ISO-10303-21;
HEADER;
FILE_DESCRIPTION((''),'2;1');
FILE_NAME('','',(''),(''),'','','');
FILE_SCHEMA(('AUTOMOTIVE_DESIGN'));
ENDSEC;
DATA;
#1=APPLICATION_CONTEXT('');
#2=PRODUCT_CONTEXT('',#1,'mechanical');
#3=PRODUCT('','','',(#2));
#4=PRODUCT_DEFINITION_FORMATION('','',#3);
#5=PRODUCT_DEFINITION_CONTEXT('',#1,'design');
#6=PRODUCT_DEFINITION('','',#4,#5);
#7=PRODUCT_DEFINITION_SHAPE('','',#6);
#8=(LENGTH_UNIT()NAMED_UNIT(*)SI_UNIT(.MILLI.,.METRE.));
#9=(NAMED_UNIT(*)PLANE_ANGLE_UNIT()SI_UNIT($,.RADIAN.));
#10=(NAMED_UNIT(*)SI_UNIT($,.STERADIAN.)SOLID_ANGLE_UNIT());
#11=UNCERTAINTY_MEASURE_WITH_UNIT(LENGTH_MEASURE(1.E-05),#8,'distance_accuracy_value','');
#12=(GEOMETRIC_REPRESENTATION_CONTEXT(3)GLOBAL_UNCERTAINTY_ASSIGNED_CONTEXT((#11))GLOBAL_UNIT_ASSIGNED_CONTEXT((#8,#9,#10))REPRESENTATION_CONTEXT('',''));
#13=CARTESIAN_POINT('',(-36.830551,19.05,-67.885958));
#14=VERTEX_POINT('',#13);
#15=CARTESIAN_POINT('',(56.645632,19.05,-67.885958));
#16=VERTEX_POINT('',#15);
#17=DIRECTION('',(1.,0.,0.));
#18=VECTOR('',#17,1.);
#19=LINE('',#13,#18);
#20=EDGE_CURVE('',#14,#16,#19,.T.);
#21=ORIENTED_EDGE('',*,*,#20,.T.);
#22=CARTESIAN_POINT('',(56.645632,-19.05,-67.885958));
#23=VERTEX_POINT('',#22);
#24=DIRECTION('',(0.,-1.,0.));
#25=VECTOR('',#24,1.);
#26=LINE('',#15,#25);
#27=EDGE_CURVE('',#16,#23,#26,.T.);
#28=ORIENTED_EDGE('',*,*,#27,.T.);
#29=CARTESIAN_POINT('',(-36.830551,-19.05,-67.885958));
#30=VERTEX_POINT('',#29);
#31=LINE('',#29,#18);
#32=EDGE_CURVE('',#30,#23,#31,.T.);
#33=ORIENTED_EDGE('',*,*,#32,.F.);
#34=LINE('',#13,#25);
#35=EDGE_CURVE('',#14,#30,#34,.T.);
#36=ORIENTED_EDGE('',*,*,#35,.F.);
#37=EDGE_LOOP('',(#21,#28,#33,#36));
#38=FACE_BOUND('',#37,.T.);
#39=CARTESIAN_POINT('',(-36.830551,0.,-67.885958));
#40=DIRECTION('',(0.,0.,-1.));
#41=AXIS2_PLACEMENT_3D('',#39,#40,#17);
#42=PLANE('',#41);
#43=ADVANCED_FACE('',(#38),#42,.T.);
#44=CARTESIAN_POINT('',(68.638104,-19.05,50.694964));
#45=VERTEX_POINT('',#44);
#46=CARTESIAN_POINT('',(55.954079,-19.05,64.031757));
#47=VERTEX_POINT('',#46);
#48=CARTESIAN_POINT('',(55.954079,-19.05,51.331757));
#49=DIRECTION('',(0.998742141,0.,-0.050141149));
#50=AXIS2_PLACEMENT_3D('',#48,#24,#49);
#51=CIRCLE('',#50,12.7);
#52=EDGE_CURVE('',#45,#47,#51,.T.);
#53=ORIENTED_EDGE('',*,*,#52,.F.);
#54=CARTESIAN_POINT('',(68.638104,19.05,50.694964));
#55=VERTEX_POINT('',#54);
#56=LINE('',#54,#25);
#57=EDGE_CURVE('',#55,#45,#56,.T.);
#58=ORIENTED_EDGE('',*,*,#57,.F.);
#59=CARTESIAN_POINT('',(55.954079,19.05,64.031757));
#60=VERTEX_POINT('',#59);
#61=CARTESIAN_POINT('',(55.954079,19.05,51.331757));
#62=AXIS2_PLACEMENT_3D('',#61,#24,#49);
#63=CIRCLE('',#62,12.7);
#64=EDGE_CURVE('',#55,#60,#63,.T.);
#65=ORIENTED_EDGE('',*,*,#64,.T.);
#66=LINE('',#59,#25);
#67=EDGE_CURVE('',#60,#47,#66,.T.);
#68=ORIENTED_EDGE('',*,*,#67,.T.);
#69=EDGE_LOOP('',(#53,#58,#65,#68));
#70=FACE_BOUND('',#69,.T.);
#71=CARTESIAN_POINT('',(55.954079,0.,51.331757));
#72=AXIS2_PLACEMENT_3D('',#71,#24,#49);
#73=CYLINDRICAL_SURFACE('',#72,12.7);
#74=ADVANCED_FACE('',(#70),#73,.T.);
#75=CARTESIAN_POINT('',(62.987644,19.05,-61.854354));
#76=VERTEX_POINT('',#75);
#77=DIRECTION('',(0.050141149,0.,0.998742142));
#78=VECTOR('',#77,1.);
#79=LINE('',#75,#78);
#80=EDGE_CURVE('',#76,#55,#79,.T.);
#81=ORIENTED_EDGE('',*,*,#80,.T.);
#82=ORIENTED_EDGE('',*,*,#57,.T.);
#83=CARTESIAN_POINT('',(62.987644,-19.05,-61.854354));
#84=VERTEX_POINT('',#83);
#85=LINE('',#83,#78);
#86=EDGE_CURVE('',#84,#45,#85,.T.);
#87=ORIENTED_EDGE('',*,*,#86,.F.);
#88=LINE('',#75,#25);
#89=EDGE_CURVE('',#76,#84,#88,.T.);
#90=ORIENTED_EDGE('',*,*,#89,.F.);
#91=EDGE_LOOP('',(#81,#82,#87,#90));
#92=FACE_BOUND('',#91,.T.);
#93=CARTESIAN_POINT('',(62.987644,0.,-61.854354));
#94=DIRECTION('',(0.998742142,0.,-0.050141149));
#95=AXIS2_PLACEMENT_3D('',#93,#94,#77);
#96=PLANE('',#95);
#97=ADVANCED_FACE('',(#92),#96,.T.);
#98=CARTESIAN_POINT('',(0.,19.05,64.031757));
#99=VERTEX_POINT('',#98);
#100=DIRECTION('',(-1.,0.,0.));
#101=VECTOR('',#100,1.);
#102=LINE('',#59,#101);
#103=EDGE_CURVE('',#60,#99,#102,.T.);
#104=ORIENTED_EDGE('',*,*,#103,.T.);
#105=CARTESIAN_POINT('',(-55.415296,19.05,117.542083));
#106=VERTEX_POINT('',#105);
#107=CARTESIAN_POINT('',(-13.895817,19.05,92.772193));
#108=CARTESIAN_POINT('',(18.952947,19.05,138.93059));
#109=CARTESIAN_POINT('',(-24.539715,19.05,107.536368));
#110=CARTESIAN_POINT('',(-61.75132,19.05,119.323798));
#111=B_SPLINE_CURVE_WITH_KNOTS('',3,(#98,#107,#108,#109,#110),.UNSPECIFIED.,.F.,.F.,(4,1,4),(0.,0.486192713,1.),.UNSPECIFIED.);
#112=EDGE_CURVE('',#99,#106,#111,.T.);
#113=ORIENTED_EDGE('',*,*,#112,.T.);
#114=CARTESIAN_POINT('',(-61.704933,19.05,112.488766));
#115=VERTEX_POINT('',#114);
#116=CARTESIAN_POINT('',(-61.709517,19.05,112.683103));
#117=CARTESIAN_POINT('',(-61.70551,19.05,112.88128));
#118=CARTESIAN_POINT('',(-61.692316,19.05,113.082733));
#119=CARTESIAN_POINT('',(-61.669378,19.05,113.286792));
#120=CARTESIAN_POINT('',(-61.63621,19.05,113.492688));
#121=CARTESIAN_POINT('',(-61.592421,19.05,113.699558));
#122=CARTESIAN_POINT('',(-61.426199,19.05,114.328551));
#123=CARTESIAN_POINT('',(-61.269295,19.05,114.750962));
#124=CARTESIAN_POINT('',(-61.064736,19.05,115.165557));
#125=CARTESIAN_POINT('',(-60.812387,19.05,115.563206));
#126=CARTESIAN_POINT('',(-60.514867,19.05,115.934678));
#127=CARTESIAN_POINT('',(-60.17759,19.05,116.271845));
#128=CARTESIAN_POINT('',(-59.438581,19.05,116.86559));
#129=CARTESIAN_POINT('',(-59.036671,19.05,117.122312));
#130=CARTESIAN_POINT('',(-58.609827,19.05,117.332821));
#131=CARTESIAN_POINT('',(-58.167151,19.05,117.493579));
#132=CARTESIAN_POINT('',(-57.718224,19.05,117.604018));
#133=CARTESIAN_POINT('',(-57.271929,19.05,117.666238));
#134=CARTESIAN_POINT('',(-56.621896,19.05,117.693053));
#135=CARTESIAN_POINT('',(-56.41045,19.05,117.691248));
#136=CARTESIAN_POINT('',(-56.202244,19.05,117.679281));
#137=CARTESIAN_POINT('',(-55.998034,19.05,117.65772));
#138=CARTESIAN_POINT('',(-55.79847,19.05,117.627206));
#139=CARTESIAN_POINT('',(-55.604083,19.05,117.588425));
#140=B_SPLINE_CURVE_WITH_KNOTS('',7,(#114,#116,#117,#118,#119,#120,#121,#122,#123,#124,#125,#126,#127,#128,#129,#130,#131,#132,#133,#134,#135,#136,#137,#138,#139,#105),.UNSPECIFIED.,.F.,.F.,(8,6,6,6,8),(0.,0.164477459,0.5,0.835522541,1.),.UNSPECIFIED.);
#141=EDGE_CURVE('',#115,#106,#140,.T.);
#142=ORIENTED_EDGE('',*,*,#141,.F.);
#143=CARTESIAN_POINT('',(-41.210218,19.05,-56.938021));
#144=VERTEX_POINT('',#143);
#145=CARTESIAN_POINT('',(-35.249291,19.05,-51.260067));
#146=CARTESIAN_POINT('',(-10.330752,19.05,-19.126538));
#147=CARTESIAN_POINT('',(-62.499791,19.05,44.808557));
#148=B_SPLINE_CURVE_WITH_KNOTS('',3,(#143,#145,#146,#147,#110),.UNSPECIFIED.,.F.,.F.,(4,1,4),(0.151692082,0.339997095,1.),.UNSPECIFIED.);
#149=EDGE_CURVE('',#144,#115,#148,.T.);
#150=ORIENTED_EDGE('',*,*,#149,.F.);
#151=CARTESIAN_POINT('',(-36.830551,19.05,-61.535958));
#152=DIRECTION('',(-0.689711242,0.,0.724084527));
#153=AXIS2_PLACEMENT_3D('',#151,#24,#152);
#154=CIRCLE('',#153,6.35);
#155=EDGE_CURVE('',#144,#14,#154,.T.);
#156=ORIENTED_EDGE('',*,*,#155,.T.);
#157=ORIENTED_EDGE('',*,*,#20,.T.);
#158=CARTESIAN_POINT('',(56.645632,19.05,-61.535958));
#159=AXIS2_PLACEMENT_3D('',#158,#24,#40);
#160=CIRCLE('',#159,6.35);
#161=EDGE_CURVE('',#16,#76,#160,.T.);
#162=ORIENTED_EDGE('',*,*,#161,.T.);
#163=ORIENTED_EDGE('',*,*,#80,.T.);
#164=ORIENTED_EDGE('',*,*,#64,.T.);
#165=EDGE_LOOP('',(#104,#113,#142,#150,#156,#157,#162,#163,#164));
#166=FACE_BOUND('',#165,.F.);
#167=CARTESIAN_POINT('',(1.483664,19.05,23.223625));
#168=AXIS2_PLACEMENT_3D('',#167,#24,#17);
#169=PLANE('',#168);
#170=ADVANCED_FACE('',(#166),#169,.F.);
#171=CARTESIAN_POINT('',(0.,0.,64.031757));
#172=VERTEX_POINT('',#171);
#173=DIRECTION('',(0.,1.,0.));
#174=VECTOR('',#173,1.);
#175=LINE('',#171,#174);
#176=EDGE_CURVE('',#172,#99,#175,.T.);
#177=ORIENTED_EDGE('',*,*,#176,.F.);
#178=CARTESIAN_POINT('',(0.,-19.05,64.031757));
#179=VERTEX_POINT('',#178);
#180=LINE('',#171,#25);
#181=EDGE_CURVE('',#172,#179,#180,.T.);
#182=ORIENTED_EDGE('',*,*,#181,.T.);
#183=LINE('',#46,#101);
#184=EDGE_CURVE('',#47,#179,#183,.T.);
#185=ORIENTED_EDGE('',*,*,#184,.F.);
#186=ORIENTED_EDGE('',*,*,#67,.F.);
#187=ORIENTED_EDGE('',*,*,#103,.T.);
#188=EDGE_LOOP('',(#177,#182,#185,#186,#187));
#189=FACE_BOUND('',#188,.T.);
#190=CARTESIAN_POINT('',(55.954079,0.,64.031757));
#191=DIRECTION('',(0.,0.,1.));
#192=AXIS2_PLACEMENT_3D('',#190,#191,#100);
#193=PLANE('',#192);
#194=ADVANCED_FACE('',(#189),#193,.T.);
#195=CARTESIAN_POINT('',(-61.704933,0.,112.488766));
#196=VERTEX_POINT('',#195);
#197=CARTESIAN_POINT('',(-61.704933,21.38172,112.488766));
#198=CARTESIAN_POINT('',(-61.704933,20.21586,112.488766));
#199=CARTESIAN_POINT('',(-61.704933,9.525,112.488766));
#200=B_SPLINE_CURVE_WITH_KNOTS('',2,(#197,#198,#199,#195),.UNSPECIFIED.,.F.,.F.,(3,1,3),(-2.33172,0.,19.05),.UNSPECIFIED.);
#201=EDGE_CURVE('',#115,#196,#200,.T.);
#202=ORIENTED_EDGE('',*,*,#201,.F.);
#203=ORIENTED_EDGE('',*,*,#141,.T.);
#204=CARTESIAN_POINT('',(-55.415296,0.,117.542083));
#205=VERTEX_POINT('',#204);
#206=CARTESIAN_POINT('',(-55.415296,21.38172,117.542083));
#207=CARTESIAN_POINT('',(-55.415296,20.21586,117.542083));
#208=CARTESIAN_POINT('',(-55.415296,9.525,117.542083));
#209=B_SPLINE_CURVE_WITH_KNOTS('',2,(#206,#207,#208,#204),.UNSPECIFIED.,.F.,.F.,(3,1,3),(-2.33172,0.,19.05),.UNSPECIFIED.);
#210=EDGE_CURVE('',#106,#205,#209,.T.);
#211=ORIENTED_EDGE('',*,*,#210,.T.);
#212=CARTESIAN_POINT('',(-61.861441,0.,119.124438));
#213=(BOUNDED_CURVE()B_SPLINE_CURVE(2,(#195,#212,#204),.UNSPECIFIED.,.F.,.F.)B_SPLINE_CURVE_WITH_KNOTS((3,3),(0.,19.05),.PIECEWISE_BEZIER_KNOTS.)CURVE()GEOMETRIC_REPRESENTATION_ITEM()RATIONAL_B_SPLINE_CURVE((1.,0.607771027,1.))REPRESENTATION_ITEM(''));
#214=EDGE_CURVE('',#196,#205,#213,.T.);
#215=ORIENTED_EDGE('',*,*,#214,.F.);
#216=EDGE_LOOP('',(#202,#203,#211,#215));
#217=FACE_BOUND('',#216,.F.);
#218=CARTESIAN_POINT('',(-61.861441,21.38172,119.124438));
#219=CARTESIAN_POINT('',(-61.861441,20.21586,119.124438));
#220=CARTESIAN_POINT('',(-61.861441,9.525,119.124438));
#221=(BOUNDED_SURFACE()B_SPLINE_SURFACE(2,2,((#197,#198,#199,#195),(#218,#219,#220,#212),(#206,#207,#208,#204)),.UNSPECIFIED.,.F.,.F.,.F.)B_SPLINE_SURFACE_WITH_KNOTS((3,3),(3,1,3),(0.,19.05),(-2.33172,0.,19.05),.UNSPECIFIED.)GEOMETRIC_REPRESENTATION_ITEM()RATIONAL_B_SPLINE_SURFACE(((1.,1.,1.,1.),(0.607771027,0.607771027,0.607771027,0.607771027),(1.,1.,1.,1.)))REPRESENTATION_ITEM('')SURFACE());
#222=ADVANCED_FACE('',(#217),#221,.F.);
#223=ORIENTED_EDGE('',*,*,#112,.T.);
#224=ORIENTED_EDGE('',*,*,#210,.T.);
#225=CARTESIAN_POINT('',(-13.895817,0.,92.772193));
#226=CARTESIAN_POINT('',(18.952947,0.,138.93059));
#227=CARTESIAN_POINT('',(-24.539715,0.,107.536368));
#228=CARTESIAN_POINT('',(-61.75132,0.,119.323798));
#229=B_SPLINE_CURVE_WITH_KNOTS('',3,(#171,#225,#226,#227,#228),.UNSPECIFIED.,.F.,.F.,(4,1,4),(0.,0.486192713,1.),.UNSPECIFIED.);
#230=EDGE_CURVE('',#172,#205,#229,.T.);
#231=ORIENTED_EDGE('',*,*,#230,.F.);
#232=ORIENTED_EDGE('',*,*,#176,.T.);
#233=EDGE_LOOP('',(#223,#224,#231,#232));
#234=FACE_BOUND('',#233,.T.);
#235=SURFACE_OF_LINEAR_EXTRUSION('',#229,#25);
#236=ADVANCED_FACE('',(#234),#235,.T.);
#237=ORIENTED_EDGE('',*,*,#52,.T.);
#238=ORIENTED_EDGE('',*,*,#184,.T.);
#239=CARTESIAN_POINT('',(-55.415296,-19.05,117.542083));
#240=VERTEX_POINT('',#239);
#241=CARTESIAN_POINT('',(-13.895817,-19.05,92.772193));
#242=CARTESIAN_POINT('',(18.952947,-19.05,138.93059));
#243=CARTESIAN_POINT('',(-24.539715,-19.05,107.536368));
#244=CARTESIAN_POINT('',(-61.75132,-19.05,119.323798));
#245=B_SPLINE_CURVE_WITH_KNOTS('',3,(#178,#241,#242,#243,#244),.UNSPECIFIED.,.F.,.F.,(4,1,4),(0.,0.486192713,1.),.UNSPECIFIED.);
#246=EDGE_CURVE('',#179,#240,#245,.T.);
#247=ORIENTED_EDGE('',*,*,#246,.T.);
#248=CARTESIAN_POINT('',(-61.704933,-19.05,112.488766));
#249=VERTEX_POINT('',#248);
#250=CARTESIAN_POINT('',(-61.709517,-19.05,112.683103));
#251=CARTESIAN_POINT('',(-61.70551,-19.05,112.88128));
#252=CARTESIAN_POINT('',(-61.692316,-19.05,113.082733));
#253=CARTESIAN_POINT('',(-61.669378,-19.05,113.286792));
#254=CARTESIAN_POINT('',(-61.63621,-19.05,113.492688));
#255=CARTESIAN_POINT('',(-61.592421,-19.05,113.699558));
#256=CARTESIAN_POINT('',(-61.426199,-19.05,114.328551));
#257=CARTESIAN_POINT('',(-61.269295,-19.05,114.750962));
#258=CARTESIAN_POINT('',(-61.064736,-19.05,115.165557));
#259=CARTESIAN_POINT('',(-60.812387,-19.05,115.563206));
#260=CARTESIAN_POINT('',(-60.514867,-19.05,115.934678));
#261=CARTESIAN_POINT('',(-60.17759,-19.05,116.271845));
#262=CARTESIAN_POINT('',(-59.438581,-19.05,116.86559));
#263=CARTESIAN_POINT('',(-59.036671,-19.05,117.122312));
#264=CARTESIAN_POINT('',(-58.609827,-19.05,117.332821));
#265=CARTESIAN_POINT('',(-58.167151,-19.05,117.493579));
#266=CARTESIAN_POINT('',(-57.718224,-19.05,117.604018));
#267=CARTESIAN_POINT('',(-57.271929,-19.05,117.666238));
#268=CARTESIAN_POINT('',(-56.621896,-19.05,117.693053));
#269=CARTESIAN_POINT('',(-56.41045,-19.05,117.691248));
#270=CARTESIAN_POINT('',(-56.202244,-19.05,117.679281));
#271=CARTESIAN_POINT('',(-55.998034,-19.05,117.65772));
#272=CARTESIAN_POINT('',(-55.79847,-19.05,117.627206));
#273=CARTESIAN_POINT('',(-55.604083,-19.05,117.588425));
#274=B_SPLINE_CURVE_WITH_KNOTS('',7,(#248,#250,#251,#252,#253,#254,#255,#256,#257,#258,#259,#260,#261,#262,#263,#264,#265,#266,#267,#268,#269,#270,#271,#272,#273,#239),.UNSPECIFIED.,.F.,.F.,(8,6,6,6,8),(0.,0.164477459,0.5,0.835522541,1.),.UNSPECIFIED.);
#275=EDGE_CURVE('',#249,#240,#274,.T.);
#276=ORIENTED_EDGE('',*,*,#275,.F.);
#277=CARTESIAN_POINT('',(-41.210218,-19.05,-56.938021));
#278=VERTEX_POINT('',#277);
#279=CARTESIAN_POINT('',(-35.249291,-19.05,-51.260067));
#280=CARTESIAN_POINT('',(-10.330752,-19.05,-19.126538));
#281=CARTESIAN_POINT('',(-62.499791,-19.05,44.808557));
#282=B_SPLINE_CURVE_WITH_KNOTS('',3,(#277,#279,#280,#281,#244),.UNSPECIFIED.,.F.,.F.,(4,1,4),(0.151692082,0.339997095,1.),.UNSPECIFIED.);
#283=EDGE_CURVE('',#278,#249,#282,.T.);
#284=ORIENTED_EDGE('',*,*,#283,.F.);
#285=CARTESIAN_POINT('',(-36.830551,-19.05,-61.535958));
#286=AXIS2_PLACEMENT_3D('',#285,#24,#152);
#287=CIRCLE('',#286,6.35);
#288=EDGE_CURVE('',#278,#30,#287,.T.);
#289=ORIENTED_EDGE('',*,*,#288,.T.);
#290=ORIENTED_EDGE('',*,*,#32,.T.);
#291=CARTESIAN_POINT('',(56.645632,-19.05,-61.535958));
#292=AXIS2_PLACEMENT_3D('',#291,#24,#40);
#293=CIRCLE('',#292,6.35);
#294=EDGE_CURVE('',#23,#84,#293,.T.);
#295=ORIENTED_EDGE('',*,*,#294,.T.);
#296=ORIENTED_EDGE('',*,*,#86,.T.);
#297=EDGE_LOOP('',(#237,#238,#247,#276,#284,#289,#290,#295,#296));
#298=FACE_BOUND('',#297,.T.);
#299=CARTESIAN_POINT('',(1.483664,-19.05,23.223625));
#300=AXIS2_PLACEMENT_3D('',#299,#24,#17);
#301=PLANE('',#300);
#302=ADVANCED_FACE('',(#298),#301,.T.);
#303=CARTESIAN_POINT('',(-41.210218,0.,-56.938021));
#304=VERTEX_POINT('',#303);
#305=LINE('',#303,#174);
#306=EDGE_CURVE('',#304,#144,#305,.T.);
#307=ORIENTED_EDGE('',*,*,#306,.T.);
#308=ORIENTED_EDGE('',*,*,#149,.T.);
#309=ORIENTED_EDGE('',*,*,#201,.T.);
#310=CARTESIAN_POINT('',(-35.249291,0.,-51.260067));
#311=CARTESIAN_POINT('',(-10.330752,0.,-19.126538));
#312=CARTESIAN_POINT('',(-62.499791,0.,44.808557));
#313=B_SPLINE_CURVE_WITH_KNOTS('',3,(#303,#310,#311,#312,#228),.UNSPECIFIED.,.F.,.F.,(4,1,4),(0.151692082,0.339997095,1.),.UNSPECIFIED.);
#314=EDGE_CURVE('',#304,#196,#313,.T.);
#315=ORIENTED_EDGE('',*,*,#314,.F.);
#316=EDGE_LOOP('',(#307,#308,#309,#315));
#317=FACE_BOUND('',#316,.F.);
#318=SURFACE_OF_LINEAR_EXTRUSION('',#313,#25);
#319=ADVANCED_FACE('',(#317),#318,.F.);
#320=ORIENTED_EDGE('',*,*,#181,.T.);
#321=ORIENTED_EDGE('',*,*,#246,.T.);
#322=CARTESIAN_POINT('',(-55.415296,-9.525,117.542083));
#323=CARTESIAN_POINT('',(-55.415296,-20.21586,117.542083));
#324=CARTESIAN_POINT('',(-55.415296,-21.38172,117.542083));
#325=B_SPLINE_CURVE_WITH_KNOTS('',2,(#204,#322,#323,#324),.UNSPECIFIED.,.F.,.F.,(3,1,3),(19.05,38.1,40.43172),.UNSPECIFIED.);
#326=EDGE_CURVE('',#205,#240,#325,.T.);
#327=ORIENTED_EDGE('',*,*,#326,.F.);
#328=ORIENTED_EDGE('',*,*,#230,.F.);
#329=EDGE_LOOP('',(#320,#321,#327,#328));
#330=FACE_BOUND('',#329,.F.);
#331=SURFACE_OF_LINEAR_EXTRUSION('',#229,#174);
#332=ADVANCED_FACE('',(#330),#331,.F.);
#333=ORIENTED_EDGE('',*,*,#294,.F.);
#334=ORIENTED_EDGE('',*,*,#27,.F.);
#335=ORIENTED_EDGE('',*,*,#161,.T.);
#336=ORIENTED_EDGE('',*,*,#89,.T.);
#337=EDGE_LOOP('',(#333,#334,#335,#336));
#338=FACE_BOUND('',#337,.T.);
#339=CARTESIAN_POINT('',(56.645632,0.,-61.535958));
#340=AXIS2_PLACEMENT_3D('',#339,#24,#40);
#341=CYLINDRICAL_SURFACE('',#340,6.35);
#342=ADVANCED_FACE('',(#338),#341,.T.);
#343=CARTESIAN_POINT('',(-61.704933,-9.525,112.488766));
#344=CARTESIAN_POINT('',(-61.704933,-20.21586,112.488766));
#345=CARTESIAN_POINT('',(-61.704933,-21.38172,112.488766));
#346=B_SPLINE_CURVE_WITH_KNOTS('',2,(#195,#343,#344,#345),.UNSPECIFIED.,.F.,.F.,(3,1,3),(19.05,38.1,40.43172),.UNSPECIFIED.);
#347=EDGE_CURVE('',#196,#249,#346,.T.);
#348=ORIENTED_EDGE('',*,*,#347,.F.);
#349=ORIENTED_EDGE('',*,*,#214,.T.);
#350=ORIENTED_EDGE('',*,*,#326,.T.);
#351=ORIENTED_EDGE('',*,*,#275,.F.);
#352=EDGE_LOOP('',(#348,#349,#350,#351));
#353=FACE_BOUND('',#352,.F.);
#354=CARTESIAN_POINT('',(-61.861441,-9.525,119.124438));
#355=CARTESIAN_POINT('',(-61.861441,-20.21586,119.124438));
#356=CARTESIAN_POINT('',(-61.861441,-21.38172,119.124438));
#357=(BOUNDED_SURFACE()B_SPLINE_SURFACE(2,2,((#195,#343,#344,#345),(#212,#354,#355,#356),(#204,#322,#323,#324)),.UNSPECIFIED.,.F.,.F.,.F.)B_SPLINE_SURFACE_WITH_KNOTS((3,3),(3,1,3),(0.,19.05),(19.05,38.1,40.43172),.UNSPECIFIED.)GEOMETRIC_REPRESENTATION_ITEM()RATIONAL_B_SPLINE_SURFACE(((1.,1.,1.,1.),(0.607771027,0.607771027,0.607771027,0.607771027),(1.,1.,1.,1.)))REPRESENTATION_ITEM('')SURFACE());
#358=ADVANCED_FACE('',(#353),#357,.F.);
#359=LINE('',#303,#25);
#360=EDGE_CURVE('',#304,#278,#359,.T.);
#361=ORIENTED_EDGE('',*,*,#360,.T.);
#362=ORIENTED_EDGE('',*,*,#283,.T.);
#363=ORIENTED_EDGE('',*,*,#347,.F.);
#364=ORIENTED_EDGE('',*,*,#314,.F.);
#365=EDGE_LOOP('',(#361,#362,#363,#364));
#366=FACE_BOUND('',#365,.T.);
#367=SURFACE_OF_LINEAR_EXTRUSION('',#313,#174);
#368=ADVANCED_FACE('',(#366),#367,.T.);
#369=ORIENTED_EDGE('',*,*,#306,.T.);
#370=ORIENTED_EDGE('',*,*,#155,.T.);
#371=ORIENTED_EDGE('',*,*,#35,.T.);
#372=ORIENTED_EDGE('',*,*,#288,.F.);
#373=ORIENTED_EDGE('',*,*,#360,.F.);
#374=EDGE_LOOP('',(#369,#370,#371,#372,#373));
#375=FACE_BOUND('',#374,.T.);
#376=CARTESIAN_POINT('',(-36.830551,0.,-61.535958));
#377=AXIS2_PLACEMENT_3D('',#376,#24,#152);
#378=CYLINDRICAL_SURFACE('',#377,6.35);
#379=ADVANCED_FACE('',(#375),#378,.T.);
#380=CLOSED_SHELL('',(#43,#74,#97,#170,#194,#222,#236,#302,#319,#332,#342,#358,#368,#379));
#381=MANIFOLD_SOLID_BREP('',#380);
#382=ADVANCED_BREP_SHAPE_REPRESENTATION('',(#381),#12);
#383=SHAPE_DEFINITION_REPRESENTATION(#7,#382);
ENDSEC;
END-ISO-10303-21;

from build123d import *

# Parameters (mm, degrees)
F1_DEPTH = 19.05
F2_R     = 5.08


with BuildPart() as f1:
    # F0 (on Front) → F1 (new body, symmetric)
    with BuildSketch(Plane.XZ):
        with BuildLine():
            ThreePointArc((-41.2102176428, -56.9380209093), (-42.7262869342, -63.8945167146), (-36.8305512568, -67.8859576583))
            Line((-36.8305512568, -67.8859576583), (56.6456316932, -67.8859576583))
            ThreePointArc((56.6456316932, -67.8859576583), (61.0217420398, -66.1372790157), (62.9876442917, -61.8543539524))
            Line((62.9876442917, -61.8543539524), (68.6381038561, 50.6949640107))
            ThreePointArc((68.6381038561, 50.6949640107), (65.1567213738, 60.0839772923), (55.954078659, 64.031756599))
            Line((55.954078659, 64.031756599), (0, 64.031756599))
            add(Edge.make_bspline(
                [(0, 64.031756599), (-13.8958169074, 92.772193382), (18.9529467347, 138.9305901021), (-24.5397146791, 107.536368072), (-61.751320227, 119.3237975012)],
                knots=[0, 0, 0, 0, 0.4861927134, 1, 1, 1, 1], degree=3))
            add(Edge.make_bspline(
                [(-41.2102176428, -56.9380209093), (-35.2492907521, -51.2600673928), (-10.330751513, -19.1265381914), (-62.4997914355, 44.8085571184), (-61.751320227, 119.3237975012)],
                knots=[0.1516920821, 0.1516920821, 0.1516920821, 0.1516920821, 0.3399970952, 1, 1, 1, 1], degree=3))
        make_face()
    extrude(amount=F1_DEPTH, both=True)

    # F2
    f2_edges = [f1.edges().sort_by_distance(p)[0] for p in [
        (-61.75132, -9.525, 119.323798),
        (-61.75132, 9.525, 119.323798),
    ]]
    fillet(f2_edges, radius=F2_R)


solid = f1.part
